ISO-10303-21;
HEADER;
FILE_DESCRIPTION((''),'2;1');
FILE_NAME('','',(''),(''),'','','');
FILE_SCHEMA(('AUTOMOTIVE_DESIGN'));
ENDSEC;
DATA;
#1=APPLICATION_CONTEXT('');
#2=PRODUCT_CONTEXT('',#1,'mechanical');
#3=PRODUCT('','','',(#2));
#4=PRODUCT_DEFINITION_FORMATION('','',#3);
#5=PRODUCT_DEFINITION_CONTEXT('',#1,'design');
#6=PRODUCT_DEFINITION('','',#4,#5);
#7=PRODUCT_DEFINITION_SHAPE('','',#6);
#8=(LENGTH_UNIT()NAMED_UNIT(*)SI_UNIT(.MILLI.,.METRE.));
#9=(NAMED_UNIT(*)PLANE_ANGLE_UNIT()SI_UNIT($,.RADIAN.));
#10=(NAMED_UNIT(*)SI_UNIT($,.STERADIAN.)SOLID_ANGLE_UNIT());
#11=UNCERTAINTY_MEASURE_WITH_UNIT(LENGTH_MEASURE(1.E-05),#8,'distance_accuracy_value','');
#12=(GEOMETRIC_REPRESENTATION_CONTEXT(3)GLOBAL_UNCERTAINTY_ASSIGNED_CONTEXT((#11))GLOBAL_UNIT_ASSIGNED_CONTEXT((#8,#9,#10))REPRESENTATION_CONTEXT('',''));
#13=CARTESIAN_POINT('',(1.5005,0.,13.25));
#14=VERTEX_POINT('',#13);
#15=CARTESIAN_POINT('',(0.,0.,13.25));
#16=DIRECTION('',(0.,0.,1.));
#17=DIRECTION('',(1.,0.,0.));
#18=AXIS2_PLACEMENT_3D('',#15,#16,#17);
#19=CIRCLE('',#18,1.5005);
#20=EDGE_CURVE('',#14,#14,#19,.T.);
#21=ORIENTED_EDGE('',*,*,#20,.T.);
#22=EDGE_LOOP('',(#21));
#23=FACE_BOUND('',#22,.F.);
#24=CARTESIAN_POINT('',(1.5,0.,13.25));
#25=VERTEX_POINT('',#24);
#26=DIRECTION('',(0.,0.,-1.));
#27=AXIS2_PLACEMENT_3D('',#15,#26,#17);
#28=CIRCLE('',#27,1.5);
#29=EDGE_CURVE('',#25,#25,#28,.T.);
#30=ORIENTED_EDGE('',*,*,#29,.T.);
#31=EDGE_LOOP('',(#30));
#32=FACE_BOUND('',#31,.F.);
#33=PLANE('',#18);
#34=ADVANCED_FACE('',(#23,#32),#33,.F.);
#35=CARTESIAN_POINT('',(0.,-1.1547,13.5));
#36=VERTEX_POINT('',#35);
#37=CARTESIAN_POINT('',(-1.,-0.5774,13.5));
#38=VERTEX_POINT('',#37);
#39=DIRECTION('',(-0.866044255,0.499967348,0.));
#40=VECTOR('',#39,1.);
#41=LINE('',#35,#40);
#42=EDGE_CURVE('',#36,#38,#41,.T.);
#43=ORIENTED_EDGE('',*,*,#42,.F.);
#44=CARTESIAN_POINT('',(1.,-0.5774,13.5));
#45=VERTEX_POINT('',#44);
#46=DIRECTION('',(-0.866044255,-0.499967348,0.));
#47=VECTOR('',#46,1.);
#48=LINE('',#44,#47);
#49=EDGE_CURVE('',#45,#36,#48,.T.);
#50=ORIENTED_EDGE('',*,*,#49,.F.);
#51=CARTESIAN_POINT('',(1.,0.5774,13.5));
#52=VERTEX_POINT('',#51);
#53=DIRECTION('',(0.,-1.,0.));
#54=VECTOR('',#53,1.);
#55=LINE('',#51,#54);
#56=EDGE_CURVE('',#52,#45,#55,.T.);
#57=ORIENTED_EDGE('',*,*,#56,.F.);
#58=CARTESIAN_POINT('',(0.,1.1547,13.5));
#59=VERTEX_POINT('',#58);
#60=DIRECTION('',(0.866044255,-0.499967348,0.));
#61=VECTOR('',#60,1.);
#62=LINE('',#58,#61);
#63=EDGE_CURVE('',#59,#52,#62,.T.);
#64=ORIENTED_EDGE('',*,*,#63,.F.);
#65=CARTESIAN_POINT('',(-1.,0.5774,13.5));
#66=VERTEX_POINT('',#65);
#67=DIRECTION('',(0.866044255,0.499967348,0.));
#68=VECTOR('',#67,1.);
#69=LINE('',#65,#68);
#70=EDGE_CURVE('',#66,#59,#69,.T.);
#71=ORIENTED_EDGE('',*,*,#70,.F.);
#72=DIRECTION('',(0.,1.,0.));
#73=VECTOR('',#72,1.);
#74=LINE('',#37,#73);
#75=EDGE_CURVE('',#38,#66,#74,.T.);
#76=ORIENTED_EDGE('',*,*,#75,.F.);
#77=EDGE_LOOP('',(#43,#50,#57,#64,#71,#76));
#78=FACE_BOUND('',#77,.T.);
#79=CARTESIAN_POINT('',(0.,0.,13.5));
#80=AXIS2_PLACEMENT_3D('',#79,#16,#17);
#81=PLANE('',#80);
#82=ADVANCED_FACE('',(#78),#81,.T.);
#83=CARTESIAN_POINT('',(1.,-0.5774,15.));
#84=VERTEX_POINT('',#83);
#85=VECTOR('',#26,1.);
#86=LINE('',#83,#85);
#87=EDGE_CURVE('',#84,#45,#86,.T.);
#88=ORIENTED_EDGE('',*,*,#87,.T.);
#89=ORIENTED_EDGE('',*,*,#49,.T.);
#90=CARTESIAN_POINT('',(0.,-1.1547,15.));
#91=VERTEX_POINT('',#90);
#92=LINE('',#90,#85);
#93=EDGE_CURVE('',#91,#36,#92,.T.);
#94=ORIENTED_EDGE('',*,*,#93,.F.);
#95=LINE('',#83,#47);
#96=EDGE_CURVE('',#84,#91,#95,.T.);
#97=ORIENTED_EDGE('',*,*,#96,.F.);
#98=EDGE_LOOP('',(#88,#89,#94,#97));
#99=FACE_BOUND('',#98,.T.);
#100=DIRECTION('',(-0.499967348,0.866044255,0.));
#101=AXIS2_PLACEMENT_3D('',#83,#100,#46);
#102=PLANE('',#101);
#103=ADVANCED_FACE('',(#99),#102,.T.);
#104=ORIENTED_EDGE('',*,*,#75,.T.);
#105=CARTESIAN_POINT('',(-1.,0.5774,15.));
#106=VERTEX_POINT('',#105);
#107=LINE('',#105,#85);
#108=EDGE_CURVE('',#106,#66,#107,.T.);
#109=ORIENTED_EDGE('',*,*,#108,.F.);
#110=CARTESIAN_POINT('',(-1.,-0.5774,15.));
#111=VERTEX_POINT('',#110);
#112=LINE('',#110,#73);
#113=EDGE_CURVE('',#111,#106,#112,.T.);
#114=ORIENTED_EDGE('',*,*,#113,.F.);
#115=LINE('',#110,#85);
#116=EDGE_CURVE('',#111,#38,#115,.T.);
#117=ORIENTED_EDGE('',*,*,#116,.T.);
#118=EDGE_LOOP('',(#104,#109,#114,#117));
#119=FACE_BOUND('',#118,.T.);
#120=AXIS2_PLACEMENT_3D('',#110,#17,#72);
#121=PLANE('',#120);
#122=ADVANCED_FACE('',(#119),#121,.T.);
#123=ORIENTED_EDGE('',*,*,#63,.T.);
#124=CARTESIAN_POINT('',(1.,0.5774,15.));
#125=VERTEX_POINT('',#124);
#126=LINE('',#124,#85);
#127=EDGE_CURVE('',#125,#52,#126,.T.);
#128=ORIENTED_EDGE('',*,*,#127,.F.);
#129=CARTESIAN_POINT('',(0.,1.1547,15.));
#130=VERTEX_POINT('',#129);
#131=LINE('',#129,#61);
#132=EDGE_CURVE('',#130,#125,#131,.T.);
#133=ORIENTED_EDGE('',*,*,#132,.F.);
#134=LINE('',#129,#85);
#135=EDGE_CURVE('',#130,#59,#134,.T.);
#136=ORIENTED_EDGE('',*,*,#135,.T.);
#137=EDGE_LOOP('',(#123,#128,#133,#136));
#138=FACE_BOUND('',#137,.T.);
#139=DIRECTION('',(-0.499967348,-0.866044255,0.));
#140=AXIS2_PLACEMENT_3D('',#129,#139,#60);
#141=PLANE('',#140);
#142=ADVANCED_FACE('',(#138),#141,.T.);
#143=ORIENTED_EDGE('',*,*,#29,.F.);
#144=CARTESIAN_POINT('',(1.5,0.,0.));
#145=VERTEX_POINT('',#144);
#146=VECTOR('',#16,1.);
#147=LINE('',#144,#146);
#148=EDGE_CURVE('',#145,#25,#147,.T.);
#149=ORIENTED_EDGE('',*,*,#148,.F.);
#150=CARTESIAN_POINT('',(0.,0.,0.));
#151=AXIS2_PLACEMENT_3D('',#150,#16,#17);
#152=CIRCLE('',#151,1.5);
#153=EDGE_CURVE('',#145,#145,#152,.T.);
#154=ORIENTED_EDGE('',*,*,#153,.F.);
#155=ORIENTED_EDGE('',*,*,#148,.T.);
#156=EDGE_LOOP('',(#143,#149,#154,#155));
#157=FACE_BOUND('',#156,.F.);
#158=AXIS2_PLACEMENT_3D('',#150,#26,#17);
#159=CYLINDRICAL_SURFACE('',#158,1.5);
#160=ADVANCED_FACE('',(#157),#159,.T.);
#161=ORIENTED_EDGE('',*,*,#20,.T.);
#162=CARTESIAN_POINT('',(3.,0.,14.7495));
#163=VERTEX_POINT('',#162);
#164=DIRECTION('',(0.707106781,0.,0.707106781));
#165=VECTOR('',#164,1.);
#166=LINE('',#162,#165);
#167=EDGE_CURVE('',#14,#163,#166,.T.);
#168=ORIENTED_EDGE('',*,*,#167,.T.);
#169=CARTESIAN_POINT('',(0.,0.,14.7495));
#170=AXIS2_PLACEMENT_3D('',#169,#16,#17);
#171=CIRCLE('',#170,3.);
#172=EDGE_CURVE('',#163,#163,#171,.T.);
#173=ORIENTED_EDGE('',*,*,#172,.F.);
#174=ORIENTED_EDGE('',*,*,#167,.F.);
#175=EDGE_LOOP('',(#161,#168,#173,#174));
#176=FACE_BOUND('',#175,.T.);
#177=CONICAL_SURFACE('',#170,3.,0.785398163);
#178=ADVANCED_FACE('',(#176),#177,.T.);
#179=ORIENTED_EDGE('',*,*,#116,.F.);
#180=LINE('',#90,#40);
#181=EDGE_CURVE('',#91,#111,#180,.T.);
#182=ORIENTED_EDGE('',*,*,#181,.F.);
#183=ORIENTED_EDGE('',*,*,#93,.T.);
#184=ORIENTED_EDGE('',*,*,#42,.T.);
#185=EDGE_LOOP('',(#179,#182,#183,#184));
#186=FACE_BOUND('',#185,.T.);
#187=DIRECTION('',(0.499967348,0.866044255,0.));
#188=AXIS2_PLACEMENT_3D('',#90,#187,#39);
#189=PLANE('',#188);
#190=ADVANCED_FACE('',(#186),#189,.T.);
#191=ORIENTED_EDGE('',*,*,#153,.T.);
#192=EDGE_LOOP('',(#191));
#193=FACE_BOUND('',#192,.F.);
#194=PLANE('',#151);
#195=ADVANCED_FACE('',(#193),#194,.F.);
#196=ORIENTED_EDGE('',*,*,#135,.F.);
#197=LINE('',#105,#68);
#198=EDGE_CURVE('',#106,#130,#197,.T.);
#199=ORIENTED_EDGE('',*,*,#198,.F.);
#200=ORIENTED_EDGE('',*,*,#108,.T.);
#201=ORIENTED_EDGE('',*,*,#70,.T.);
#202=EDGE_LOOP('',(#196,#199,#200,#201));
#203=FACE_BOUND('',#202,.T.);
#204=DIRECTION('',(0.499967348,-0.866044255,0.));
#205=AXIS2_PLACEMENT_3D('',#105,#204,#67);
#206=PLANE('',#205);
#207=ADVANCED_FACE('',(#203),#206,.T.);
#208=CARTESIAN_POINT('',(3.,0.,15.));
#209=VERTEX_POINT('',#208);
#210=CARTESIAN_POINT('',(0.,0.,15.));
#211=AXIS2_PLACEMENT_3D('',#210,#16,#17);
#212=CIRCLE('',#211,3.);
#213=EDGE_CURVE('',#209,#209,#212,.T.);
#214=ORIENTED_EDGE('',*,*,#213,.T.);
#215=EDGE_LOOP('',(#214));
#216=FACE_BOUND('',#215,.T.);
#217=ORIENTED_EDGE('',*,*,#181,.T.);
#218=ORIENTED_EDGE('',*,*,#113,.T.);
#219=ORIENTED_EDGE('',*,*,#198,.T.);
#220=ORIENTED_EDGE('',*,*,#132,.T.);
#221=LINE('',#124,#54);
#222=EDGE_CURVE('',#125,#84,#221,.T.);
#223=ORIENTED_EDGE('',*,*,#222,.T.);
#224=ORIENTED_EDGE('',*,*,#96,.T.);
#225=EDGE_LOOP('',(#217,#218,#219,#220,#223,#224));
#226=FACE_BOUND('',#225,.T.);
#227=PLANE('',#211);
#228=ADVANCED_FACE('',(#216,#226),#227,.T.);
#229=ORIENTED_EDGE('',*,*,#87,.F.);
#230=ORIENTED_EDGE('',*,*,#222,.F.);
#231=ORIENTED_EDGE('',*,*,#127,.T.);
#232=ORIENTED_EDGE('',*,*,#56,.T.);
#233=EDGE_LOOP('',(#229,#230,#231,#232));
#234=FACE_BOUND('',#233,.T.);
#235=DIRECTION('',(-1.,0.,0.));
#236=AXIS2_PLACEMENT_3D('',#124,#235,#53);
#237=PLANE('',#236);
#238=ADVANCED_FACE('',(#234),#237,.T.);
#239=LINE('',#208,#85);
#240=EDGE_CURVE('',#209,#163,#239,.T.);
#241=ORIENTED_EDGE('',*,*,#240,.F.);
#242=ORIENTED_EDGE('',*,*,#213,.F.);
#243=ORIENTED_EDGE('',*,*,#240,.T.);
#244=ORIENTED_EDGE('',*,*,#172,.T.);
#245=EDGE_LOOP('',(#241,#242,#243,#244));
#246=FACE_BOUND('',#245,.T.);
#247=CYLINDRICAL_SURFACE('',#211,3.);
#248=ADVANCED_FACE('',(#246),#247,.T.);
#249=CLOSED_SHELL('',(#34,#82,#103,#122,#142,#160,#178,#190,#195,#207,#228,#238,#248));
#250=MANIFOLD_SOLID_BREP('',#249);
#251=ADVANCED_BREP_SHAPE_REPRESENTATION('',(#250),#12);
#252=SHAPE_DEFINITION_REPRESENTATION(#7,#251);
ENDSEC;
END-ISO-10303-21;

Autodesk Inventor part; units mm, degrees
ref_plane "YZ Plane" through (0, 0, 0) normal (1, 0, 0) x (0, 1, 0)
ref_plane "XZ Plane" through (0, 0, 0) normal (0, 1, 0) x (-1, 0, 0)
ref_plane "XY Plane" through (0, 0, 0) normal (0, 0, 1) x (1, 0, 0)
sketch "スケッチ1" plane through (0, 0, 0) normal (0, 0, 1) x (1, 0, 0)
  circle A0 centre (0, 0) radius 1.5
  dimension "d0" = 3
extrude "押し出し1" add sketch "スケッチ1" along normal blind 15
thread "ねじ1" size "M3x0.5" class "6g" standard "ANSI Metric M Profile" full length
sketch "スケッチ2" plane through (0, 0, 15) normal (0, 0, 1) x (1, 0, 0)
  circle A0 centre (0, 0) radius 3
  dimension "d5" = 6
extrude "押し出し2" add sketch "スケッチ2" against normal blind 1.75
chamfer "面取り1" distance 1.5 angle 45 1 edges at (-3, 0, 13.25)
sketch "スケッチ3" plane through (0, 0, 15) normal (0, 0, 1) x (1, 0, 0)
  line L0 (0, 1.1547) -> (1, 0.5774)
  line L1 (1, 0.5774) -> (1, -0.5774)
  line L2 (1, -0.5774) -> (0, -1.1547)
  line L3 (0, -1.1547) -> (-1, -0.5774)
  line L4 (-1, -0.5774) -> (-1, 0.5774)
  line L5 (-1, 0.5774) -> (0, 1.1547)
  point P0 (0, 0)
  point P1 (0, 0)
  dimension "d11" = 2
extrude "押し出し3" cut sketch "スケッチ3" against normal blind 1.5
properties part number "m3皿ネジ15" material "鉄 灰色"
